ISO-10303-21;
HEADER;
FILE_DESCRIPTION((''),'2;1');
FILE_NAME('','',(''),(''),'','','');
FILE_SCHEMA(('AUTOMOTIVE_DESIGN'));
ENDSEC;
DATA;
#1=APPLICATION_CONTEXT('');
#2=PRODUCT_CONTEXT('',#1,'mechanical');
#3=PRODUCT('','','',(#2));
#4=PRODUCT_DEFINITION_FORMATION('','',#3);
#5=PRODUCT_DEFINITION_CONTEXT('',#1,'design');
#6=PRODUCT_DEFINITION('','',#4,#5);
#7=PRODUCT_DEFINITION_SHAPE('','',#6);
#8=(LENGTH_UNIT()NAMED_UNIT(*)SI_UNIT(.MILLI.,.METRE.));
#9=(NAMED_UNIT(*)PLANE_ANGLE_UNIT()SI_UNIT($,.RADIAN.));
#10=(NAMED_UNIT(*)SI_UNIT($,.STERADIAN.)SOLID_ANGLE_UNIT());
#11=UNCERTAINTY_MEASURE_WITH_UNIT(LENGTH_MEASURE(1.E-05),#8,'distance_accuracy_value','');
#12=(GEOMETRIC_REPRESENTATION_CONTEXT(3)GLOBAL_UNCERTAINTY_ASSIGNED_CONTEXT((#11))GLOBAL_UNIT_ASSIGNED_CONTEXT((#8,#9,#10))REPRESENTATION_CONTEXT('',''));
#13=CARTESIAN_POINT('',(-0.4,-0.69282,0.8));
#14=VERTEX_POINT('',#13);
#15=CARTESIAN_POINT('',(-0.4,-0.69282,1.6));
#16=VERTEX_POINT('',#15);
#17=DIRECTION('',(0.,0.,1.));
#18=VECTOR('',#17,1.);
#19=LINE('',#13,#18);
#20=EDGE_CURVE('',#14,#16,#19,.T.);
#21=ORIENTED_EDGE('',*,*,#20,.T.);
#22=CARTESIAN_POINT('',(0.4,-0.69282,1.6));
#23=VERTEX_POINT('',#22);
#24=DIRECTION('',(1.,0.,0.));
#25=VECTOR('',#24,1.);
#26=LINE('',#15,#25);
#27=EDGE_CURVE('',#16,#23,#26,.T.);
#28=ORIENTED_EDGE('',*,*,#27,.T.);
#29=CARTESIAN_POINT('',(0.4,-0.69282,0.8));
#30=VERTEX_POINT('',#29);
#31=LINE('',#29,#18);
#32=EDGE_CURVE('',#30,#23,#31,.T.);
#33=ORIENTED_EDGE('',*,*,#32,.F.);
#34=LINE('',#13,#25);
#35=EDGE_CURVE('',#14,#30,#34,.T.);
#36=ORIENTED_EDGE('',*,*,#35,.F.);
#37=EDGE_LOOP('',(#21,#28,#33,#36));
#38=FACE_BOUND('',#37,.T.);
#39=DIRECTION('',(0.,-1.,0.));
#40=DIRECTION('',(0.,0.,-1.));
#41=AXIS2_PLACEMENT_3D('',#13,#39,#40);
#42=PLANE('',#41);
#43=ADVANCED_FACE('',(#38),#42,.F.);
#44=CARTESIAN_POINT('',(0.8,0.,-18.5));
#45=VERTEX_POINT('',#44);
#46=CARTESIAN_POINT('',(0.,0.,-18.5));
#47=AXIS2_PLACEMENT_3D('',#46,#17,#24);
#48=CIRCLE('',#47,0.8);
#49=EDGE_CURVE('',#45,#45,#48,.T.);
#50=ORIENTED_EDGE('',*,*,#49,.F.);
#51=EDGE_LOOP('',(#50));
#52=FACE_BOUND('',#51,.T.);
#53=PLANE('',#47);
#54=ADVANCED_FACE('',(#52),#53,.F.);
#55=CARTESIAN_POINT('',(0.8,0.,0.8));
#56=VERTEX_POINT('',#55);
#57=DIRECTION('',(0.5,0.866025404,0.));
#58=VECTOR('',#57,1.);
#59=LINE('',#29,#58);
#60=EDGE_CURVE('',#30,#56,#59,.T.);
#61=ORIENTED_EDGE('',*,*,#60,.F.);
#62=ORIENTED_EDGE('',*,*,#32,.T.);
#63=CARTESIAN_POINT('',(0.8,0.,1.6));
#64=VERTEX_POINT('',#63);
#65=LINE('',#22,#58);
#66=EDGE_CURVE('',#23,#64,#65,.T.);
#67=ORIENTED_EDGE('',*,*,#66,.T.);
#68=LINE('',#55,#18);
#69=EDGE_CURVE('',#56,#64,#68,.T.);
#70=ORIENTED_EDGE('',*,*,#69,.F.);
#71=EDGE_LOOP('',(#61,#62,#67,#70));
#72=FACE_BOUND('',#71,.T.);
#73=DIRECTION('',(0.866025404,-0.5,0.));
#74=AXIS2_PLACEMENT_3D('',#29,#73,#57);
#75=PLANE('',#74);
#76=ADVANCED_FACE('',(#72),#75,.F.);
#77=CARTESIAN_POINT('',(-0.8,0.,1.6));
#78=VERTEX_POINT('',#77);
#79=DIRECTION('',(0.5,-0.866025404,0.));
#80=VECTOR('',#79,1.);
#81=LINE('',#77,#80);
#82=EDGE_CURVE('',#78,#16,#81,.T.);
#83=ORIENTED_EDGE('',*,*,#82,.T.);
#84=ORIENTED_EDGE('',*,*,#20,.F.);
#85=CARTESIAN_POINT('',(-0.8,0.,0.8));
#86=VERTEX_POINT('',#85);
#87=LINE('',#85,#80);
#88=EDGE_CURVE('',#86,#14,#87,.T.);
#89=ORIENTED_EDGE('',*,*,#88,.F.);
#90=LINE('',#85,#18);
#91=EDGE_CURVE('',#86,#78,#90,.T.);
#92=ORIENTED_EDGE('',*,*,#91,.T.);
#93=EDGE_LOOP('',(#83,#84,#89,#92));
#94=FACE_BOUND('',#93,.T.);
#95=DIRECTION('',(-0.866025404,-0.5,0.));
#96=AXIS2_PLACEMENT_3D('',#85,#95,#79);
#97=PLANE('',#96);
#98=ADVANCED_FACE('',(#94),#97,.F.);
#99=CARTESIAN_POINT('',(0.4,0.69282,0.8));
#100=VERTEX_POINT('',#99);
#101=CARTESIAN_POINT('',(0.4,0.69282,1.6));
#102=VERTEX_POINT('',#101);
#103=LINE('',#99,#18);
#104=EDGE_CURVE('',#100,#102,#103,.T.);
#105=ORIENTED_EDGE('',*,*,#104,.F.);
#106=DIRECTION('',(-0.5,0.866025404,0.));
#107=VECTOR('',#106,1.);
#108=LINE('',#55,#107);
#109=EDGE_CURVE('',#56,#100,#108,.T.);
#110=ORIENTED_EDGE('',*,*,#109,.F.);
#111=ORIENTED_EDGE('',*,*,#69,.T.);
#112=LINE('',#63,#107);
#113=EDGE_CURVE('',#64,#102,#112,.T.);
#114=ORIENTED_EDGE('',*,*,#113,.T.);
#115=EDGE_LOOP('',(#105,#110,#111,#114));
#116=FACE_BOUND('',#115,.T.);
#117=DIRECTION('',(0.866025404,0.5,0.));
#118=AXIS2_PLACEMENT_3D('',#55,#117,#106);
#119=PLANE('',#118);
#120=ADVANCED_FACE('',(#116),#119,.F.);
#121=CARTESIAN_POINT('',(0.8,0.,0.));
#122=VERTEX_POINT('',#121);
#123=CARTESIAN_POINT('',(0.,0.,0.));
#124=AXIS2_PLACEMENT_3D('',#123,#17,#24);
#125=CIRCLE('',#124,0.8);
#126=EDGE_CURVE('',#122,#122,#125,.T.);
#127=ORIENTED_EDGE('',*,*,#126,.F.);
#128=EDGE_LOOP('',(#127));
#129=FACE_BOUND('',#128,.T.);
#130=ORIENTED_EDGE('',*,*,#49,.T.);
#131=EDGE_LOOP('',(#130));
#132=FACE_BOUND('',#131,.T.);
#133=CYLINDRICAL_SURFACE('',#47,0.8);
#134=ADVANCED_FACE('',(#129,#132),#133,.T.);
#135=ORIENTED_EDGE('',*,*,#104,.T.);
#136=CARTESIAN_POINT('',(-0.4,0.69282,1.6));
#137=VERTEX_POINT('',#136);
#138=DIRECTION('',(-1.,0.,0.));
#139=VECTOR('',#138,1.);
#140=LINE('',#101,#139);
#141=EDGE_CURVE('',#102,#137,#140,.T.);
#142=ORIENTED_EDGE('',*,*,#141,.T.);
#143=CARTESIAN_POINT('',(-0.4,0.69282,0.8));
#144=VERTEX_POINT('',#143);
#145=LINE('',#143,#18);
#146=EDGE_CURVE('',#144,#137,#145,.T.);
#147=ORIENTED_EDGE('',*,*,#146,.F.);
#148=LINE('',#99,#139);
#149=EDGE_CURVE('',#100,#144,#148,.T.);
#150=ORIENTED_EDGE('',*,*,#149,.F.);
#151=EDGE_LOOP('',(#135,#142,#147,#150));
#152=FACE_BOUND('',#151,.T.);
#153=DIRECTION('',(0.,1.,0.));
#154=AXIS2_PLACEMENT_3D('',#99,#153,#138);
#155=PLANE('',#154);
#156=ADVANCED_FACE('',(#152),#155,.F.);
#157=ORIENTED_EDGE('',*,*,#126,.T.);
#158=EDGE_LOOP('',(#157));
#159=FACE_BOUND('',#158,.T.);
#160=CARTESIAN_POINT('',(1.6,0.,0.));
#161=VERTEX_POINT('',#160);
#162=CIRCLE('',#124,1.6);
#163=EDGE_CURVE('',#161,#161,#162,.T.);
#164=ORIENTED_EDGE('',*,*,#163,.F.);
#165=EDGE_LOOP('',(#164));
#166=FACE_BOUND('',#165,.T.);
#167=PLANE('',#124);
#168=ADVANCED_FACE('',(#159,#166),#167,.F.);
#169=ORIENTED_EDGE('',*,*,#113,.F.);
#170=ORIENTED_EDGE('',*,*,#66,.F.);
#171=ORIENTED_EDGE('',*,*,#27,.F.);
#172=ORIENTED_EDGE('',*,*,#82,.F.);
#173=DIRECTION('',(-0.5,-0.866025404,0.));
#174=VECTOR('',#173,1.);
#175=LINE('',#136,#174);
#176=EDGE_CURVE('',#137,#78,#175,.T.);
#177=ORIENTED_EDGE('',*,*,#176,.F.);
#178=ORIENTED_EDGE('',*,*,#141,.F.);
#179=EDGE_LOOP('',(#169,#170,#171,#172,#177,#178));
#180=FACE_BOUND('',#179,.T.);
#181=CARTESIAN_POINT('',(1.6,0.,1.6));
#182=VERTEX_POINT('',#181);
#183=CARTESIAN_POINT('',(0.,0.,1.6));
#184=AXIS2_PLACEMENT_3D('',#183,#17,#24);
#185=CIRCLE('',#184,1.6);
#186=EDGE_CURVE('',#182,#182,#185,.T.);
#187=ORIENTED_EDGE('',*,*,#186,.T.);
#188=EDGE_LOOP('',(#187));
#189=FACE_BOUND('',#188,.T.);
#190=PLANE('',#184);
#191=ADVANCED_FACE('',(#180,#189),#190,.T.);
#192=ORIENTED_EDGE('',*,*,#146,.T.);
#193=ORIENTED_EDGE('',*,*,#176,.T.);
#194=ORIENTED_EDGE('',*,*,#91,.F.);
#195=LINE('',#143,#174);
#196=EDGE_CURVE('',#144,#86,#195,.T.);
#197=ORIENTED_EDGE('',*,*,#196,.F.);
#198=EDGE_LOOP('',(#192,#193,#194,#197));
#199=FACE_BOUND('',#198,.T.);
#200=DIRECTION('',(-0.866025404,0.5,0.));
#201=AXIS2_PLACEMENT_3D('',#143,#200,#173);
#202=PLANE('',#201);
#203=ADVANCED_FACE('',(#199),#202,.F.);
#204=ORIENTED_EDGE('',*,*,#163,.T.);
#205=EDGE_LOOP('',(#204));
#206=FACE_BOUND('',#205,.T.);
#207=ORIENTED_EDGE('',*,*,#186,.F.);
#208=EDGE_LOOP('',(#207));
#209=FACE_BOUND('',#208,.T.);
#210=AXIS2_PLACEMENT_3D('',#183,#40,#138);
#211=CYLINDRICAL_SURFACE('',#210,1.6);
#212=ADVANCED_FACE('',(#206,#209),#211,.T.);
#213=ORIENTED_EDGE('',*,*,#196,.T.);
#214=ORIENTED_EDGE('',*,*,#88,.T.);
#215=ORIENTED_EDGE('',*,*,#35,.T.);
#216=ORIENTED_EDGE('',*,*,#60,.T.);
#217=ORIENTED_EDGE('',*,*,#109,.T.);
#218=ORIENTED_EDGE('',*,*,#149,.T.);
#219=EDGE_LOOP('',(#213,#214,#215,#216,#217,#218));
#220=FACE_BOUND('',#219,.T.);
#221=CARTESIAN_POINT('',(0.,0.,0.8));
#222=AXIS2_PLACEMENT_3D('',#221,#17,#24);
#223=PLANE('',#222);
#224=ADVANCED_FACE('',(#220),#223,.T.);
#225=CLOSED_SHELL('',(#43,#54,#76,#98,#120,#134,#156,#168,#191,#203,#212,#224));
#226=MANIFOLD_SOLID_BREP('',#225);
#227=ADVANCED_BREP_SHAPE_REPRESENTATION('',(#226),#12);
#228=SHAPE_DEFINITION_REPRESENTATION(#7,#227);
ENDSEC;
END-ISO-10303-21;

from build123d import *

# Parameters (mm, degrees)
SKETCH_1_R          = 1.6
EXTRUDE_1_DEPTH     = 1.6
SKETCH_3_R          = 0.8
EXTRUDE_2_DEPTH     = 18.5
CUT_EXTRUDE_1_DEPTH = 0.8


with BuildPart() as part:
    # 草图1 → 凸台-拉伸1 (new body)
    with BuildSketch(Plane.XY):
        Circle(SKETCH_1_R)
    extrude(amount=EXTRUDE_1_DEPTH)

    # 草图3 → 凸台-拉伸2 (add)
    with BuildSketch(Plane.XY):
        Circle(SKETCH_3_R)
    extrude(amount=-EXTRUDE_2_DEPTH)

    # 草图4 → 切除-拉伸1 (cut)
    with BuildSketch(Plane.XY.offset(1.6)):
        Polygon((0.8, 0), (0.4, 0.692820323), (-0.4, 0.692820323), (-0.8, 0), (-0.4, -0.692820323), (0.4, -0.692820323), align=None)
    extrude(amount=-CUT_EXTRUDE_1_DEPTH, mode=Mode.SUBTRACT)


solid = part.part
